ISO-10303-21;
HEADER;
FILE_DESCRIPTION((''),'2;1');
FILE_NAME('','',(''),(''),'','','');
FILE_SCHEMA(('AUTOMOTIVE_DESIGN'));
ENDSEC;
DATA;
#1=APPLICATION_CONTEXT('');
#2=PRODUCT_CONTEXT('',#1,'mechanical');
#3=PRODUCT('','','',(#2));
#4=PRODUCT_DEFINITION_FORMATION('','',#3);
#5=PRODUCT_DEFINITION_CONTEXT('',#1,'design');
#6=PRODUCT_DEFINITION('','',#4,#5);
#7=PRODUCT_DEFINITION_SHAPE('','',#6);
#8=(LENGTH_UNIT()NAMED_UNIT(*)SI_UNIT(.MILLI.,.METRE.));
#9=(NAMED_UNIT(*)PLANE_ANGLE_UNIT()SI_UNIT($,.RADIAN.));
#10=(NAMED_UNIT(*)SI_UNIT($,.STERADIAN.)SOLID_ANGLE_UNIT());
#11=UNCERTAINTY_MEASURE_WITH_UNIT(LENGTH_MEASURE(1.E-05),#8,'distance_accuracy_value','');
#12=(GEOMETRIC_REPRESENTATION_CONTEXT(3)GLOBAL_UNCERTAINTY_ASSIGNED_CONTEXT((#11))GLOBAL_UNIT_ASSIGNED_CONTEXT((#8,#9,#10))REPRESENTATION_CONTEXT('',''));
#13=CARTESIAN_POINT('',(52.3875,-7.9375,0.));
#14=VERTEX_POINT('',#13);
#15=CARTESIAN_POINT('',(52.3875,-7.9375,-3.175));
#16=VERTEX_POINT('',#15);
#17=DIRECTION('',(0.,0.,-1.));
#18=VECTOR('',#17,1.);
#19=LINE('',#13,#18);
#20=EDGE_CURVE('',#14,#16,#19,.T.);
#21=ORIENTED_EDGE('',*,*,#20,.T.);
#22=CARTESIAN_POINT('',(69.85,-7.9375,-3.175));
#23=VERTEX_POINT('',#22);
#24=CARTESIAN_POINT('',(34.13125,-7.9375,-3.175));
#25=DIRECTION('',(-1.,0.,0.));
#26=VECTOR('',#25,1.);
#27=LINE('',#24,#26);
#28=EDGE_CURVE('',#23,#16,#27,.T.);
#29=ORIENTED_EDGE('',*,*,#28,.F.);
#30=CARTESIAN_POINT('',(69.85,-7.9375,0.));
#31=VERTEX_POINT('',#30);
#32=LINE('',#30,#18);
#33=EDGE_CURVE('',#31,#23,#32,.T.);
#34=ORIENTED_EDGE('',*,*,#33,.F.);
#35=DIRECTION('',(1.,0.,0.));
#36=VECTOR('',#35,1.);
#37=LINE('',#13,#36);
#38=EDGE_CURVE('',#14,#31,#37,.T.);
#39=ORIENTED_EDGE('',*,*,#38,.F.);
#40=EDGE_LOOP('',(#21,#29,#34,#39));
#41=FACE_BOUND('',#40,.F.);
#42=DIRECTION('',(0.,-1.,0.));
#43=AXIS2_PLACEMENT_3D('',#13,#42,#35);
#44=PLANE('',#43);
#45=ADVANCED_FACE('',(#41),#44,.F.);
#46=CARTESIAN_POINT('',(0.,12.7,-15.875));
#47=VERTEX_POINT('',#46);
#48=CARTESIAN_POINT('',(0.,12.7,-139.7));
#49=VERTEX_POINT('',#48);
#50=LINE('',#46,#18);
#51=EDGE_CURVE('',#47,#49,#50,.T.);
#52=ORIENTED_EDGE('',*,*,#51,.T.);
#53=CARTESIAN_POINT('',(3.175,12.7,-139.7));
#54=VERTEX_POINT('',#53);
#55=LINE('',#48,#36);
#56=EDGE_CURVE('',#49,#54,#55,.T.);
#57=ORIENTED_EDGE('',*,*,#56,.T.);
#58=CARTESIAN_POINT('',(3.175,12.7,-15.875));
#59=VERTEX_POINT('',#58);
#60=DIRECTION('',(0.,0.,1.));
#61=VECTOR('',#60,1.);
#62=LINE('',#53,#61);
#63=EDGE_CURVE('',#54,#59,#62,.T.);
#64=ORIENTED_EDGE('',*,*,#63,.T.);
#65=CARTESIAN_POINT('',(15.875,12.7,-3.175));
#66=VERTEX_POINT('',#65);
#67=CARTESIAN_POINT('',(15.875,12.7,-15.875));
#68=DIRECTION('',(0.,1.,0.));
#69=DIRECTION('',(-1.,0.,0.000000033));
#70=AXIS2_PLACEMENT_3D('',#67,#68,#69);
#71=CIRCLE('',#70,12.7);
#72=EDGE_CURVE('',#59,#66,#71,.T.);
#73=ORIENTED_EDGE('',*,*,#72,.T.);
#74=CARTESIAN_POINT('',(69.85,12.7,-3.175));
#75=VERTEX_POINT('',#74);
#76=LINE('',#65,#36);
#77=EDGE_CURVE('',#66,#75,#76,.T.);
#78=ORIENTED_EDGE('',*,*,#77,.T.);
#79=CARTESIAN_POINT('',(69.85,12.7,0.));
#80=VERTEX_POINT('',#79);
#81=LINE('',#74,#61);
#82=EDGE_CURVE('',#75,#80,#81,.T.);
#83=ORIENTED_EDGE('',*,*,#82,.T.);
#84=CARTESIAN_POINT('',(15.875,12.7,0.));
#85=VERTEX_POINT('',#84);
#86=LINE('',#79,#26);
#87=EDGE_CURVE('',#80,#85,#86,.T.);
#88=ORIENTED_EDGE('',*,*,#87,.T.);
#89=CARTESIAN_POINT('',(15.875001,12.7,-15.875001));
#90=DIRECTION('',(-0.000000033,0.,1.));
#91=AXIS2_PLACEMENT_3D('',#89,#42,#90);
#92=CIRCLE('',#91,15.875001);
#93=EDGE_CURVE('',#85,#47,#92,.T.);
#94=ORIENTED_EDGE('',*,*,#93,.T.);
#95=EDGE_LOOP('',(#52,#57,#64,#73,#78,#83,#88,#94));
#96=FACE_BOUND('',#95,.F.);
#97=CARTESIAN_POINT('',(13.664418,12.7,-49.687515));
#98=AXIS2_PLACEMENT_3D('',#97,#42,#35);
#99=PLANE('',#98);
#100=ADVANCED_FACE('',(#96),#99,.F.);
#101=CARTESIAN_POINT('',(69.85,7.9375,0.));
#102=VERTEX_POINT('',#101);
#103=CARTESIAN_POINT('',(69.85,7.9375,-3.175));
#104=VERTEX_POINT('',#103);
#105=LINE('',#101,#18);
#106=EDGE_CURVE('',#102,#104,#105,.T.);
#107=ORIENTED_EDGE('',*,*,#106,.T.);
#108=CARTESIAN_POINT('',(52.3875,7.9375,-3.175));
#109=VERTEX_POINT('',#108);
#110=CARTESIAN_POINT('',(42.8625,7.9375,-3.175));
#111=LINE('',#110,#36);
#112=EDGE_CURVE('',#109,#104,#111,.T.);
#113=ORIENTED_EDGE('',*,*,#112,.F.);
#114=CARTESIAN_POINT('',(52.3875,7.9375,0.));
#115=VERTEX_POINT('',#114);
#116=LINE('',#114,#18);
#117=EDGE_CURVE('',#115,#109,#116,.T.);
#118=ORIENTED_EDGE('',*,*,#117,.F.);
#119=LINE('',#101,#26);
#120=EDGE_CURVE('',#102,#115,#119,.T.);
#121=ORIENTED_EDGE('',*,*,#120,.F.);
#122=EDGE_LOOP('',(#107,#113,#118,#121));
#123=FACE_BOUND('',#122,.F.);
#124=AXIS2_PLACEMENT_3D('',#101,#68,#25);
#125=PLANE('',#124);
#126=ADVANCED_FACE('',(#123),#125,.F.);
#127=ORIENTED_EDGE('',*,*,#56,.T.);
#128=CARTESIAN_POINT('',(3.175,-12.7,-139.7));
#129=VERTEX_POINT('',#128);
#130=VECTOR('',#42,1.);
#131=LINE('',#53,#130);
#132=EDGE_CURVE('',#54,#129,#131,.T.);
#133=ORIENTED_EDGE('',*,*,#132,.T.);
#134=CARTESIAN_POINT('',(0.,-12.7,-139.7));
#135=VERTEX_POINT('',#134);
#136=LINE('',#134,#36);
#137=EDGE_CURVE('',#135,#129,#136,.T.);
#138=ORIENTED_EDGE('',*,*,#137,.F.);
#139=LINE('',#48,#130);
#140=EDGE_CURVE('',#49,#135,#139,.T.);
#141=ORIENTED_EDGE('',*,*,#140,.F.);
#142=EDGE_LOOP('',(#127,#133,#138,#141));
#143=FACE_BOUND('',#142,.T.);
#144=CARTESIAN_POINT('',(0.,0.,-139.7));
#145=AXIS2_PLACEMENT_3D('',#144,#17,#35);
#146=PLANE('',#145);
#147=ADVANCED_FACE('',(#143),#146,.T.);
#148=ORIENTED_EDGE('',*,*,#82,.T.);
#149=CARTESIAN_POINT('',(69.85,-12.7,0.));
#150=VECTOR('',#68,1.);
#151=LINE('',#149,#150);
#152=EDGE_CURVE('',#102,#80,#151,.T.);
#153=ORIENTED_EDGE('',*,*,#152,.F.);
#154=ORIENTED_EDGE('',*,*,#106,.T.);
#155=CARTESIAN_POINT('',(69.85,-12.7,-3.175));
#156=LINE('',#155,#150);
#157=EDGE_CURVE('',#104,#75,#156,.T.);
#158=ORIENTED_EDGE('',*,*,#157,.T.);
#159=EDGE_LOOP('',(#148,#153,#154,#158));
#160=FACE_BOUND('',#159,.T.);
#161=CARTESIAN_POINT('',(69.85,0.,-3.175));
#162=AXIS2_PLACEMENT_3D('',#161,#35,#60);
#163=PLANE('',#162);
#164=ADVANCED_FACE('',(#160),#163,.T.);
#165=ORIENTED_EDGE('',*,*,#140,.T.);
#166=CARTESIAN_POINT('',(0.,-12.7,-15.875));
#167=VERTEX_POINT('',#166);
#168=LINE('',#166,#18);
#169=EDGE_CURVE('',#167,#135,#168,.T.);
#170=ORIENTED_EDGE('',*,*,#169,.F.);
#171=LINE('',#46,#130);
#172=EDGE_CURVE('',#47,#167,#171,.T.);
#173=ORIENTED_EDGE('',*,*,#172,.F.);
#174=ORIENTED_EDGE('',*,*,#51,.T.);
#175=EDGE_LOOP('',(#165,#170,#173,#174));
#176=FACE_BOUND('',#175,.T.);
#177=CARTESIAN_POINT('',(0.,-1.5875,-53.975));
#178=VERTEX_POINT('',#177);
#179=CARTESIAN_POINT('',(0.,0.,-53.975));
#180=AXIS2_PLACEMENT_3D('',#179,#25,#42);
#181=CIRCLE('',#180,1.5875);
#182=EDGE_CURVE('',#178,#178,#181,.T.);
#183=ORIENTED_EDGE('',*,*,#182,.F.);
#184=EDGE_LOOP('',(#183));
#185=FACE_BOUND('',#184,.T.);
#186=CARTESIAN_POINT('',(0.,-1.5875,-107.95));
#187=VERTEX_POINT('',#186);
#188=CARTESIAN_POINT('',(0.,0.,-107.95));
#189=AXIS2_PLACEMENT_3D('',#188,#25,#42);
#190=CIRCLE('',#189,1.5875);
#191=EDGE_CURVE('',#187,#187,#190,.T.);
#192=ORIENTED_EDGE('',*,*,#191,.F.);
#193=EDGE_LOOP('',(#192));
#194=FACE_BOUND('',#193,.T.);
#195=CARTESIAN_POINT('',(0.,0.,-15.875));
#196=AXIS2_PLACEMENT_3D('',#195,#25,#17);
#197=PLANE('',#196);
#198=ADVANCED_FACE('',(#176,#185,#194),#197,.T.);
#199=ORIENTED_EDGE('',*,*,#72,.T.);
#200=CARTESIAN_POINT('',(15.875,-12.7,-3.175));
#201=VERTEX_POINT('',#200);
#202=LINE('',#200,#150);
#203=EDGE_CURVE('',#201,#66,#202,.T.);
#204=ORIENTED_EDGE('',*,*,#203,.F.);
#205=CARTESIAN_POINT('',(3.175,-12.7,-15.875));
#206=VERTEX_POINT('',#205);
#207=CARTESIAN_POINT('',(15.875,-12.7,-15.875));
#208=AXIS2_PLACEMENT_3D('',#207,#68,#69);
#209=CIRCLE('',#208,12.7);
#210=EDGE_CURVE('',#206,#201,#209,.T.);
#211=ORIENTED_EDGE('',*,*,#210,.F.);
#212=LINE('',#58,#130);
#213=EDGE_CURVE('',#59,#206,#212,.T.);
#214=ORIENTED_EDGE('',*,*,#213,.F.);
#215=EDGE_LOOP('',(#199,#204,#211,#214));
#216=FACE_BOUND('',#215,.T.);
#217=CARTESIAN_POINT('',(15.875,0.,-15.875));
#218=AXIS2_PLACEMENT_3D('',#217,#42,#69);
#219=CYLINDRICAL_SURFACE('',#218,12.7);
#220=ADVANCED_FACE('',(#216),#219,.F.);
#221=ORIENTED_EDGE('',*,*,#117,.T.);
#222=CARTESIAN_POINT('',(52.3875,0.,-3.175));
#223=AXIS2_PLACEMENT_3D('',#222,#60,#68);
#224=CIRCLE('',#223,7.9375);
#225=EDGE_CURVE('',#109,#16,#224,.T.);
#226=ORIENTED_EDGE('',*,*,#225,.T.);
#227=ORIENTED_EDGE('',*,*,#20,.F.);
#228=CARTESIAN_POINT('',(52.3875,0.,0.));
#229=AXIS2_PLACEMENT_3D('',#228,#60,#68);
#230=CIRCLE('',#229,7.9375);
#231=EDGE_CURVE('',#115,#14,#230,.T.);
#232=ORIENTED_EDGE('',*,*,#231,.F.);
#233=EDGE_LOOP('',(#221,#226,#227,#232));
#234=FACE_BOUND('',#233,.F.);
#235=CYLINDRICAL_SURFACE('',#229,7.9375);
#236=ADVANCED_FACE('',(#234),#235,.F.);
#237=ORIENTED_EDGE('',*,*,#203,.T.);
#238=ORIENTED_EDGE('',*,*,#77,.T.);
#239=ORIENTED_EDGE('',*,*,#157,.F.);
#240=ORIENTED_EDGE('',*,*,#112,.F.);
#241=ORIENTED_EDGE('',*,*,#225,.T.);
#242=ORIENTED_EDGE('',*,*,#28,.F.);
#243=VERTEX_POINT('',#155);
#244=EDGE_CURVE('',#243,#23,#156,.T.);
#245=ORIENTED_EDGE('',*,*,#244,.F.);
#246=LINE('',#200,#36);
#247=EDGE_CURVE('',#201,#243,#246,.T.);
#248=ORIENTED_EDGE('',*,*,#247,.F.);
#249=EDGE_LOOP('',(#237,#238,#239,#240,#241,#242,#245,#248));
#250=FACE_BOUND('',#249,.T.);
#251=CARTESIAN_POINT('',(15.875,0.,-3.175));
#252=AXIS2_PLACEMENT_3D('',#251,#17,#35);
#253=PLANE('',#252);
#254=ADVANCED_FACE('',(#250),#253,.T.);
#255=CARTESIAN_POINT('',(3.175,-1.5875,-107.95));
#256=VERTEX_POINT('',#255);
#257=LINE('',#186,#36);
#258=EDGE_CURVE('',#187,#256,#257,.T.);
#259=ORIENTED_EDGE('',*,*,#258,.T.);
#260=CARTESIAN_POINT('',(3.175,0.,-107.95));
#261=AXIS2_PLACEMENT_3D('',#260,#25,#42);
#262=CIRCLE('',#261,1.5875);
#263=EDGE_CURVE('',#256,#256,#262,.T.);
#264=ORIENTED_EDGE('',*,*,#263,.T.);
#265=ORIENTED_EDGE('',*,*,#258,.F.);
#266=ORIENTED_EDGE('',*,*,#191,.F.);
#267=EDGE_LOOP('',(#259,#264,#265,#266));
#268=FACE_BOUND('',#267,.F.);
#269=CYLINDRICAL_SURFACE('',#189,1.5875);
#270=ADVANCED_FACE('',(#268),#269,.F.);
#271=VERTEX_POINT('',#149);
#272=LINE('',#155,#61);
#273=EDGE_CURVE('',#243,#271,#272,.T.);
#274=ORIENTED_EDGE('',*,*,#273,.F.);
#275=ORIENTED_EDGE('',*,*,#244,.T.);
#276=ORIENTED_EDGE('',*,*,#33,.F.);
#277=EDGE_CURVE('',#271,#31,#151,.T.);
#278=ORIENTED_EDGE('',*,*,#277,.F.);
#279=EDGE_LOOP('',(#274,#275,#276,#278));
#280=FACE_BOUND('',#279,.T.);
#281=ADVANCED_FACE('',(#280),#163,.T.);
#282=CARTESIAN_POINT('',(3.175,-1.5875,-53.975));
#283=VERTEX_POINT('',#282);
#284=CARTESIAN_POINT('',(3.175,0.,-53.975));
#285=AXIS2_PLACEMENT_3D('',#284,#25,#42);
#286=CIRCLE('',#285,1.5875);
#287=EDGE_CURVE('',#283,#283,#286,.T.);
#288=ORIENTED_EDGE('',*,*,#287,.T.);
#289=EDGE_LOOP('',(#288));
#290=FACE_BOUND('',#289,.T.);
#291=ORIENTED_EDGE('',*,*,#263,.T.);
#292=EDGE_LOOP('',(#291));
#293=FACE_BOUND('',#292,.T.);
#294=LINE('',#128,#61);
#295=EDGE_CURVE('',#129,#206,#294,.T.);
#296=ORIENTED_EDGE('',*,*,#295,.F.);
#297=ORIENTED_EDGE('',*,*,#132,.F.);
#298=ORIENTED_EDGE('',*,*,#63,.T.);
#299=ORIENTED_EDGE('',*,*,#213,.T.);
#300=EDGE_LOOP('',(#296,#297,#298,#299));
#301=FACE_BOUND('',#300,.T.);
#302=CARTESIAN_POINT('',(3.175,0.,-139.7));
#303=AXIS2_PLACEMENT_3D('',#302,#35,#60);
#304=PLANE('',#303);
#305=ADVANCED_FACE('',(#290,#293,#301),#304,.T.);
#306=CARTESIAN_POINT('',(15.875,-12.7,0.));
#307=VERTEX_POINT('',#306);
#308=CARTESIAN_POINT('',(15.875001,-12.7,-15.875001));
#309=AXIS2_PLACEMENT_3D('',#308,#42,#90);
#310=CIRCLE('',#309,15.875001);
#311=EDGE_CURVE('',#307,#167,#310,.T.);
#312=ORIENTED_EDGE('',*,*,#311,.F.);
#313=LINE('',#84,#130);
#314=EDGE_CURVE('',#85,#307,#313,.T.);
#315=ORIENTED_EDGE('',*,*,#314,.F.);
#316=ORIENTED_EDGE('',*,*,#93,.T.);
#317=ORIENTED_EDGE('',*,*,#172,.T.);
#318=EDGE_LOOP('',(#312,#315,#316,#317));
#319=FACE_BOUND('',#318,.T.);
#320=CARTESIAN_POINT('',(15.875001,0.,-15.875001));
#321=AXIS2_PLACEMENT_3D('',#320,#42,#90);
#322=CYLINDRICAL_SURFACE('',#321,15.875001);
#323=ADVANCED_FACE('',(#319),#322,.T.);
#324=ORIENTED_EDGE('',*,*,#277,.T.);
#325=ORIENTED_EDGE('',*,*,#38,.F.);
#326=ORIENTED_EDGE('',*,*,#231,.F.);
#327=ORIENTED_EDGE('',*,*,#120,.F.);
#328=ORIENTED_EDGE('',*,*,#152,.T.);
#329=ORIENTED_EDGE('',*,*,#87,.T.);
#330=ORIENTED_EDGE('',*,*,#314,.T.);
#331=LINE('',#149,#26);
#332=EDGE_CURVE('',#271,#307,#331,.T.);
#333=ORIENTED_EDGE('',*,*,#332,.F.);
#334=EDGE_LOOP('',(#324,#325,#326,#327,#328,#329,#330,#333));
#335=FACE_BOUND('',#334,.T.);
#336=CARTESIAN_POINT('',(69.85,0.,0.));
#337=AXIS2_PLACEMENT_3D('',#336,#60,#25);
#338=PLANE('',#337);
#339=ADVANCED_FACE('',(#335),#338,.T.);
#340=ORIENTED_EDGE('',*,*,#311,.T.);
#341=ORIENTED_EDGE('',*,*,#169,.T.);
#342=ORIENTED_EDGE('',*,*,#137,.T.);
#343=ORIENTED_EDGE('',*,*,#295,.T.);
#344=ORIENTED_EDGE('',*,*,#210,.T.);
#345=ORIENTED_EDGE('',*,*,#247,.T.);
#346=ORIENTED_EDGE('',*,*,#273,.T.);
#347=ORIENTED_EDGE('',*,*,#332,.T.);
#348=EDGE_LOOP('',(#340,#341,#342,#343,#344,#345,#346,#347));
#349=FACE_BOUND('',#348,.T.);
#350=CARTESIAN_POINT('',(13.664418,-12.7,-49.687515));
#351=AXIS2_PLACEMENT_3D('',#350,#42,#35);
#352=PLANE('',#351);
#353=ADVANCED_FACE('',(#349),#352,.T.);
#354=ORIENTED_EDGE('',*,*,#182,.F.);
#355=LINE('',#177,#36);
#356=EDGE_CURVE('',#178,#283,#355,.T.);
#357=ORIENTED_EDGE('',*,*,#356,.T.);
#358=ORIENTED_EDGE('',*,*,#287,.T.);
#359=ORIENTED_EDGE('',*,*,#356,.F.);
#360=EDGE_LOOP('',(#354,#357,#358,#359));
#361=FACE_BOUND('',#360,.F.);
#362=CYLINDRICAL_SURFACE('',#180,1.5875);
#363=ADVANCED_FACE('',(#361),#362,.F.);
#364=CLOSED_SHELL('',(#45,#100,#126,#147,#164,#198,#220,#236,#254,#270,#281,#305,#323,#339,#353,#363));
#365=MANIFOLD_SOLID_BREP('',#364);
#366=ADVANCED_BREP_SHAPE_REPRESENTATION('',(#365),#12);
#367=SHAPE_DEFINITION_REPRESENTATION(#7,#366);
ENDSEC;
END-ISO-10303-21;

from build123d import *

# Parameters (mm, degrees)
F1_DEPTH = 12.7
F3_DEPTH = 25.4
F4_R     = 1.5875
F5_DEPTH = 25.4


with BuildPart() as f1:
    # F0 (on Front) → F1 (new body, symmetric)
    with BuildSketch(Plane.XZ):
        with BuildLine():
            Line((69.85, 0), (15.875, 0))
            ThreePointArc((15.875, 0), (4.64968, -4.64968), (0, -15.875))
            Line((0, -15.875), (0, -139.7))
            Line((0, -139.7), (3.175, -139.7))
            Line((3.175, -139.7), (3.175, -15.875))
            ThreePointArc((3.175, -15.875), (6.894744, -6.894744), (15.875, -3.175))
            Line((15.875, -3.175), (69.85, -3.175))
            Line((69.85, -3.175), (69.85, 0))
        make_face()
    extrude(amount=F1_DEPTH, both=True)

    # F2 (on face) → F3 (cut)
    with BuildSketch(Plane.XY):
        with BuildLine():
            ThreePointArc((52.3875, -7.9375), (58.00016, -5.61266), (60.325, 0))
            ThreePointArc((60.325, 0), (58.00016, 5.61266), (52.3875, 7.9375))
            ThreePointArc((52.3875, 7.9375), (44.45, 0), (52.3875, -7.9375))
        make_face()
        with BuildLine():
            ThreePointArc((52.3875, 7.9375), (58.00016, 5.61266), (60.325, 0))
            ThreePointArc((60.325, 0), (58.00016, -5.61266), (52.3875, -7.9375))
            Line((52.3875, -7.9375), (69.85, -7.9375))
            Line((69.85, -7.9375), (69.85, 7.9375))
            Line((69.85, 7.9375), (52.3875, 7.9375))
        make_face()
    extrude(amount=-F3_DEPTH, mode=Mode.SUBTRACT)

    # F4 (on face) → F5 (cut)
    with BuildSketch(Plane(origin=(0, 0, 0), x_dir=(0, -1, 0), z_dir=(-1, 0, 0))):
        with Locations((0, -53.975)):
            Circle(F4_R)
        with Locations((0, -107.95)):
            Circle(F4_R)
    extrude(amount=-F5_DEPTH, mode=Mode.SUBTRACT)


solid = f1.part
